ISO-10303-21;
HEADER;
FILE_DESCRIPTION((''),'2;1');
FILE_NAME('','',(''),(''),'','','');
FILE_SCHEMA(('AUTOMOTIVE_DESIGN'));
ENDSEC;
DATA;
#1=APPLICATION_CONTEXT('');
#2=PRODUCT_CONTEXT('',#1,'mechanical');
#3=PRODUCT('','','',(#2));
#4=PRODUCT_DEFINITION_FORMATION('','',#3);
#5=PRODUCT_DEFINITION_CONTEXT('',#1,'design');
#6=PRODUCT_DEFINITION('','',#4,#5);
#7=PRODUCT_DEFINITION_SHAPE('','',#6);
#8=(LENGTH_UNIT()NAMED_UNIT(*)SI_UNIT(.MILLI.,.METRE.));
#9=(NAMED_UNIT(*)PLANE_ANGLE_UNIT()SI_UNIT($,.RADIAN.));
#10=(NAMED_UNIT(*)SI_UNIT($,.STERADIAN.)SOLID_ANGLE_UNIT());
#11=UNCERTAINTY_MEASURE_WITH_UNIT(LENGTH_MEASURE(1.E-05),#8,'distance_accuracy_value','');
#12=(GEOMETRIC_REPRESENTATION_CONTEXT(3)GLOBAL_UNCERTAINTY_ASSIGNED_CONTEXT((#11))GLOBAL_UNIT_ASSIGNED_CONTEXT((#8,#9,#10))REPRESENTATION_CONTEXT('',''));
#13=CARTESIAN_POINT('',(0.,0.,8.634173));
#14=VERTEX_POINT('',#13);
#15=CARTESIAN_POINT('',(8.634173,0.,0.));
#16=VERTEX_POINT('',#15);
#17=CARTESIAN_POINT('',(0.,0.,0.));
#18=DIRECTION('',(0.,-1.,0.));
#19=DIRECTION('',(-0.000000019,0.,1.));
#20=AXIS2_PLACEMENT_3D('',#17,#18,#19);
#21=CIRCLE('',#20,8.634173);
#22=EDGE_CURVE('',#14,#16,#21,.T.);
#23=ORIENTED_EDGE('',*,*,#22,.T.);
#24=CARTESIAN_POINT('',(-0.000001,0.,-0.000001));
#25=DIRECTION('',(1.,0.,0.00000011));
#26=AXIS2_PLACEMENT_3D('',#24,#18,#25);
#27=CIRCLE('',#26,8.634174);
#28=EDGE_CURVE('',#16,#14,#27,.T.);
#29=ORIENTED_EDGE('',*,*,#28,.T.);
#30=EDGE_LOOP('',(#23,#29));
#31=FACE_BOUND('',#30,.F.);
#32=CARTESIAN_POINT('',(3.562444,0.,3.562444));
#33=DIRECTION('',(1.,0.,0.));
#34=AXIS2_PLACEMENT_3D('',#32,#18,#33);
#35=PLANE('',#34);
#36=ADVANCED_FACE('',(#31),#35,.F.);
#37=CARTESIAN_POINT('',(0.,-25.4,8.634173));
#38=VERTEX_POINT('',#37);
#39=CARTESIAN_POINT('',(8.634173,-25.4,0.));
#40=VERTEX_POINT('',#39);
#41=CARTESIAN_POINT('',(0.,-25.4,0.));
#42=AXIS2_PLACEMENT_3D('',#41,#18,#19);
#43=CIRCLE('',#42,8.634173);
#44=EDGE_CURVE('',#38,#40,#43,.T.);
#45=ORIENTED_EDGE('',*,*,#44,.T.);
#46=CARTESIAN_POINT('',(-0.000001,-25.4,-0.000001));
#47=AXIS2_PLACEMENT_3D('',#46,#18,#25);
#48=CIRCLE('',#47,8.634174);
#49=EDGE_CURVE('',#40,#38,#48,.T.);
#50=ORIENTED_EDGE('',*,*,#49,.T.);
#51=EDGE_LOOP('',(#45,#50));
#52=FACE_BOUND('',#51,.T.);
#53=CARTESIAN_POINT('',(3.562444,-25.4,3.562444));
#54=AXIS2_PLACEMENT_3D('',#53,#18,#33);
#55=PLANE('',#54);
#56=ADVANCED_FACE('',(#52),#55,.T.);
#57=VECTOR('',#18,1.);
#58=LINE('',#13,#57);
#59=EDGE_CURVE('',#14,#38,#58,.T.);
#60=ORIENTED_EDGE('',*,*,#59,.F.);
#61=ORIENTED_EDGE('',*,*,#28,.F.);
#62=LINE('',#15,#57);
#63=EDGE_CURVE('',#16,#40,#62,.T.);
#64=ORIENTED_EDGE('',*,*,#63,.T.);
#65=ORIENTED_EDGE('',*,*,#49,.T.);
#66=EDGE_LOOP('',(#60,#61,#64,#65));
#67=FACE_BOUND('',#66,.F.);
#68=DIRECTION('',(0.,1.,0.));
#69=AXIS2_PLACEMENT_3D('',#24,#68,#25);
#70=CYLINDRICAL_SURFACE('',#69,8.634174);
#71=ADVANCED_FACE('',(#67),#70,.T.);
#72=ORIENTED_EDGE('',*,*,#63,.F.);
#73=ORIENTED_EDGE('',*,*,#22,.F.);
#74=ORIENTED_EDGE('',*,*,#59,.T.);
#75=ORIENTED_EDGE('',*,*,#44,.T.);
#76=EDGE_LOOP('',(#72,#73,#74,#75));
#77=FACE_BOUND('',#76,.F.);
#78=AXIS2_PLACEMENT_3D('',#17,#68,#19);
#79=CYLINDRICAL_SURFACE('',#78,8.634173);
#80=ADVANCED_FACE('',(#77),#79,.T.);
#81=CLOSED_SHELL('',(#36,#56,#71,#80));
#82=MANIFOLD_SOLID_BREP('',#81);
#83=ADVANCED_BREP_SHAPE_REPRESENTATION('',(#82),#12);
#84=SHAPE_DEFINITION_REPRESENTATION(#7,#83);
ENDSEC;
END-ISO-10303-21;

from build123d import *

# Parameters (mm, degrees)
F1_DEPTH = 25.4


with BuildPart() as f1:
    # F0 (on Front) → F1 (new body)
    with BuildSketch(Plane.XZ):
        with BuildLine():
            Line((0, 0), (8.634173, 0))
            ThreePointArc((8.634173, 0), (6.105282, 6.105282), (0, 8.634173))
            Line((0, 8.634173), (0, 0))
        make_face()
        with BuildLine():
            ThreePointArc((0, 8.634173), (-6.105282, -6.105282), (8.634173, 0))
            Line((8.634173, 0), (0, 0))
            Line((0, 0), (0, 8.634173))
        make_face()
    extrude(amount=F1_DEPTH)


solid = f1.part
